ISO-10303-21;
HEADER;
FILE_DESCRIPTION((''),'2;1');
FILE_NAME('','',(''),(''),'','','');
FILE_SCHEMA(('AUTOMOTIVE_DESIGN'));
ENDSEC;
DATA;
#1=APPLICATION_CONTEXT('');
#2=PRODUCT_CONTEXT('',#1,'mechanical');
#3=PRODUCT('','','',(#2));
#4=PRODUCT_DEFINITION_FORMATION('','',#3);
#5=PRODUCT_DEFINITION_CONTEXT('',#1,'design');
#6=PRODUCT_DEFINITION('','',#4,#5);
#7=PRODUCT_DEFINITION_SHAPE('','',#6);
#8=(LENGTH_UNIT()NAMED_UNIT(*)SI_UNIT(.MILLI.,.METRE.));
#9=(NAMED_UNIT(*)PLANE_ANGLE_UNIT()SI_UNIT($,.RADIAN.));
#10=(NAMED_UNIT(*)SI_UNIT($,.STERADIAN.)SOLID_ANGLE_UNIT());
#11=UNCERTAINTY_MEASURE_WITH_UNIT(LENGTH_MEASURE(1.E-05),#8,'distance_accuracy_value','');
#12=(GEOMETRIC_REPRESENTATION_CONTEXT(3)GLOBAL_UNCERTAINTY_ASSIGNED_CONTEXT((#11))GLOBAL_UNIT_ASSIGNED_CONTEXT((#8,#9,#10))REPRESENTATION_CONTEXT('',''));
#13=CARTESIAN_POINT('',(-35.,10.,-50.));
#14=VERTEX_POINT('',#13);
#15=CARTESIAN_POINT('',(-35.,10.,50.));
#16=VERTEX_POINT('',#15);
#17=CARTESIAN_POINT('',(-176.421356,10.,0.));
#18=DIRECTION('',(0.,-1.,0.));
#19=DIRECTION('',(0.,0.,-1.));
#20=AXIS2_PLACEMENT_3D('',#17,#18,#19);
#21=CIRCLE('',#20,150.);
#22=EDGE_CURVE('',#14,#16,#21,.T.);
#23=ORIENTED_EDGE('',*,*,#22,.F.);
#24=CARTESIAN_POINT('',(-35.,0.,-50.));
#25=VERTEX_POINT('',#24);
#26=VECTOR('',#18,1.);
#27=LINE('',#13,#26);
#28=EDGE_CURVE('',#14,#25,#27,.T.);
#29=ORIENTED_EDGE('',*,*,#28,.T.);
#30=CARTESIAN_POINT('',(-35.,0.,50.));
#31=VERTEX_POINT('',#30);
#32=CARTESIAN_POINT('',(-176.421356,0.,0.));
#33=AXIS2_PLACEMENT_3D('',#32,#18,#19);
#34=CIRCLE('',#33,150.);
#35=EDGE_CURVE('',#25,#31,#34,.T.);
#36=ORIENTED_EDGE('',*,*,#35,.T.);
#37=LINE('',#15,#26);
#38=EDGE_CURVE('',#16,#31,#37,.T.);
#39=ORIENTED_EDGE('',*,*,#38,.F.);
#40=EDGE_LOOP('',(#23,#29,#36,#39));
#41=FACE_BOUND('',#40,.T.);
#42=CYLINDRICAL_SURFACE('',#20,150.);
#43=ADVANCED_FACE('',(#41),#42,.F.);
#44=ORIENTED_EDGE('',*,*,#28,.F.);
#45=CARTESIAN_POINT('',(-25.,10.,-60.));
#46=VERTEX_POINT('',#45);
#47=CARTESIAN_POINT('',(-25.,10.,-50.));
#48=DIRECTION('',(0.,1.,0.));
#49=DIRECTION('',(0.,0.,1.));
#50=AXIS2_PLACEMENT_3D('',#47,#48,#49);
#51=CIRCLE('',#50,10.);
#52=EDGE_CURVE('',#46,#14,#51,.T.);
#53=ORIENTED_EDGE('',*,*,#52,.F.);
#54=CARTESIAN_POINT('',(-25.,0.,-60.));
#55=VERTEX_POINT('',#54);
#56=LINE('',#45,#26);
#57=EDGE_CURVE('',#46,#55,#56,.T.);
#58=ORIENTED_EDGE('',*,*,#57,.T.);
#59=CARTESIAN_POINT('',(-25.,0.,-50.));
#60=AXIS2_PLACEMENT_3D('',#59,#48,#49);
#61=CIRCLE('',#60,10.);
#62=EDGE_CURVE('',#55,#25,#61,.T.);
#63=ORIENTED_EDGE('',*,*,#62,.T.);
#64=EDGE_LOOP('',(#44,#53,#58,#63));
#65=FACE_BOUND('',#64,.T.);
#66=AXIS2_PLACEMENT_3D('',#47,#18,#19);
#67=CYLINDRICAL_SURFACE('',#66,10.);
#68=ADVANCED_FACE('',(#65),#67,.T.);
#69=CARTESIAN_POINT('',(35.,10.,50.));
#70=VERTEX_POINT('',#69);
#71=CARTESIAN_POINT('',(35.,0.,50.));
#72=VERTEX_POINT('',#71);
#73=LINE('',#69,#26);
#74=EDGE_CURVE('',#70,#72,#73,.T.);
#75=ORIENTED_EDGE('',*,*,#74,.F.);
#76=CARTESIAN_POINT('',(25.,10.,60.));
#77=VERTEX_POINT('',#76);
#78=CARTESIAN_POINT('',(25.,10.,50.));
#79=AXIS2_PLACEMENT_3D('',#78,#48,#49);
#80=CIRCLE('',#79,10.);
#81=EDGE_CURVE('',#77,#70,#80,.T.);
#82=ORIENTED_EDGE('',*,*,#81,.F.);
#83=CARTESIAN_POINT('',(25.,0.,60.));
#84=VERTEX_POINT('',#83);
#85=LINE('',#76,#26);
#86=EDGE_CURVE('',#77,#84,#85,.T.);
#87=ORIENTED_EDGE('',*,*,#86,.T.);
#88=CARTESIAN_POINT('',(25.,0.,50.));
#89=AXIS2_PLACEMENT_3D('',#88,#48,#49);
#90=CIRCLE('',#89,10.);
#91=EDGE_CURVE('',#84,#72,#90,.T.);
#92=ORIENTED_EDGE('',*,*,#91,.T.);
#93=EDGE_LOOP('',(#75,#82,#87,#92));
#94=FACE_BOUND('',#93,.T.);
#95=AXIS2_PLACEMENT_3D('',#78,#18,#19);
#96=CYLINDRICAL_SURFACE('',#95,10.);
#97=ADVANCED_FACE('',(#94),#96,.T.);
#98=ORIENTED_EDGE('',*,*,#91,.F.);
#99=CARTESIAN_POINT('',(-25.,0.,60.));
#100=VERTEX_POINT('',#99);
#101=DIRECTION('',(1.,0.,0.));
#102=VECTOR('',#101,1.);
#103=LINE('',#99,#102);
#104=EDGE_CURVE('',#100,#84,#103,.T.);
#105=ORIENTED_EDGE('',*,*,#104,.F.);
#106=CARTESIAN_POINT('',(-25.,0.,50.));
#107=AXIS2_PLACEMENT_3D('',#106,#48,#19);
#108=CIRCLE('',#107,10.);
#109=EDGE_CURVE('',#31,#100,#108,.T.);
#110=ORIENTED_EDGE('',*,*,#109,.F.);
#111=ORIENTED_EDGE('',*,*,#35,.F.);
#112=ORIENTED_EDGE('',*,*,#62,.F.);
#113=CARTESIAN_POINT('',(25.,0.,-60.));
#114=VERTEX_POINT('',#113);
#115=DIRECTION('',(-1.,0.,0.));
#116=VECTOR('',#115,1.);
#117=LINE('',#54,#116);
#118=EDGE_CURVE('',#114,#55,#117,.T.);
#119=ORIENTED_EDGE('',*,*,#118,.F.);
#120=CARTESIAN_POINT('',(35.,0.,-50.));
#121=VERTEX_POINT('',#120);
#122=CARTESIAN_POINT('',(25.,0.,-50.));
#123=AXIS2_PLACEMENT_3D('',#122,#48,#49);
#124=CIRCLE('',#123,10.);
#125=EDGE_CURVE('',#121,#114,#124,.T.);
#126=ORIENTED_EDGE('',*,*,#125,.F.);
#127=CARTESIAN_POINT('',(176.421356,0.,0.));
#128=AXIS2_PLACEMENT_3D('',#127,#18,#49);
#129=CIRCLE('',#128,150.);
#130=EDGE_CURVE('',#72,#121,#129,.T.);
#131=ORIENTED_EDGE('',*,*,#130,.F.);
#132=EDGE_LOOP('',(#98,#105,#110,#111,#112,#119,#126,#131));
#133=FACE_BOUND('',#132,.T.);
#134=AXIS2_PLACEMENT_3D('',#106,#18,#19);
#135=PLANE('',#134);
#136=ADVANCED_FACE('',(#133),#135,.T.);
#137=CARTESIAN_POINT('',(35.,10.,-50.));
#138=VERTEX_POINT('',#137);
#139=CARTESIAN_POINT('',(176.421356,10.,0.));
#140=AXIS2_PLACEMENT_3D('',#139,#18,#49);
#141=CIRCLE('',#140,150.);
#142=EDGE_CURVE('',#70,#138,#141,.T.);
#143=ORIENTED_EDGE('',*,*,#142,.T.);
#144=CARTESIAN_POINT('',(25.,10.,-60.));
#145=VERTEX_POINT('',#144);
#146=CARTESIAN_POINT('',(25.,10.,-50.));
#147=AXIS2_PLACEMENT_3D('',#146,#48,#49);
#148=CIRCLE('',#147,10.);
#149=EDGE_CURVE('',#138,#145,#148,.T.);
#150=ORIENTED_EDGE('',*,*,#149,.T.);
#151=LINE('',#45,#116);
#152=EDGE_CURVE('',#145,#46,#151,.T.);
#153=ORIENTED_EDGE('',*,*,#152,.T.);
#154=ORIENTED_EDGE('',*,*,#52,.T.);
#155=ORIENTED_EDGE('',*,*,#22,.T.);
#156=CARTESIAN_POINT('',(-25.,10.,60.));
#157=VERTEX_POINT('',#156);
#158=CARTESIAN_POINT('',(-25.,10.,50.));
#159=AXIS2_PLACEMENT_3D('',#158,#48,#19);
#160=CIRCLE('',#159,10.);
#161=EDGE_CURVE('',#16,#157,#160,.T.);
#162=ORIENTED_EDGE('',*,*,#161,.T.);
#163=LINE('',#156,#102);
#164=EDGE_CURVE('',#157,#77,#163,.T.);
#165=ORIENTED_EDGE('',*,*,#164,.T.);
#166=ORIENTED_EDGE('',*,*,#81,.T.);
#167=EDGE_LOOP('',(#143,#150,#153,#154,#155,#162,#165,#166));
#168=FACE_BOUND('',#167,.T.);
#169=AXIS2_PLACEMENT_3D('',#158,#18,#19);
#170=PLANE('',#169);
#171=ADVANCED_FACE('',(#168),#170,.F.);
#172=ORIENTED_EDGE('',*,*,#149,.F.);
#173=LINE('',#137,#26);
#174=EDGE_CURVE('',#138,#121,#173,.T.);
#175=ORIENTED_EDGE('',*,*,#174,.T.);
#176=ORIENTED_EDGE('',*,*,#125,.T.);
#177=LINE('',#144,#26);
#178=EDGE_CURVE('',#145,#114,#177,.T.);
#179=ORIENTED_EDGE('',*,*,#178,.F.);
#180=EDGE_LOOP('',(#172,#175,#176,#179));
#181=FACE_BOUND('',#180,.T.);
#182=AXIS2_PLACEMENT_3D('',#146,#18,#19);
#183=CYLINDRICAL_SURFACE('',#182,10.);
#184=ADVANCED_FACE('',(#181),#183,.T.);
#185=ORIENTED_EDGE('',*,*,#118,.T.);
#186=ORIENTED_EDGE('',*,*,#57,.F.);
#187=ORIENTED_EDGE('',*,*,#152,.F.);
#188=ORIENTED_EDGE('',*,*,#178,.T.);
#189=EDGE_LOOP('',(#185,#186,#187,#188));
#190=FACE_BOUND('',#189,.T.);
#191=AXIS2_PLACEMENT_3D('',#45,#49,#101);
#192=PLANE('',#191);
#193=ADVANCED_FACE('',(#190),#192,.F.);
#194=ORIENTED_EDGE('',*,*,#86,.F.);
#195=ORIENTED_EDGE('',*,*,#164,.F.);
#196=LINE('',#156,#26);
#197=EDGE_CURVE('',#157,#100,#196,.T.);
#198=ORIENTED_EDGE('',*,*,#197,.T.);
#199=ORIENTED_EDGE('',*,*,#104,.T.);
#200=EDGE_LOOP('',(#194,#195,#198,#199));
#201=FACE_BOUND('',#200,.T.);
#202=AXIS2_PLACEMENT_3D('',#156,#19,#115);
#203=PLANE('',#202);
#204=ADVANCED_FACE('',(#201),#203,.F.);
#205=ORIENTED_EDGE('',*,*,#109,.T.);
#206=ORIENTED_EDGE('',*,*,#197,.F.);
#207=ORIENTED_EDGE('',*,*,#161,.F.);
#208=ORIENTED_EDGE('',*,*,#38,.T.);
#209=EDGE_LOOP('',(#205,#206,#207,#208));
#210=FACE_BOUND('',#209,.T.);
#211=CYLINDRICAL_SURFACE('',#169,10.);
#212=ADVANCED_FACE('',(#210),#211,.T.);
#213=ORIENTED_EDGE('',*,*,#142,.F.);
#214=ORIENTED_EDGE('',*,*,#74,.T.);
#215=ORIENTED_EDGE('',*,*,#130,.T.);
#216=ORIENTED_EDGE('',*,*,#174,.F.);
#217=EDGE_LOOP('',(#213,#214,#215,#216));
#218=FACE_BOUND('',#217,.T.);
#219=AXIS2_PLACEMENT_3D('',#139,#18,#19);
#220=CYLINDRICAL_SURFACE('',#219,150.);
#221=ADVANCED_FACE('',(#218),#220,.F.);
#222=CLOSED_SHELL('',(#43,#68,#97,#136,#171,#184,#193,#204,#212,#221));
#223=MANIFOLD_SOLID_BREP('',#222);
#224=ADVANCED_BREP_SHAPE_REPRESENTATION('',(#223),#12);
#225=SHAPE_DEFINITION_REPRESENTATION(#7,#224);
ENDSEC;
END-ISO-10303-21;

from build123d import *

# Parameters (mm, degrees)
BOSS_EXTRUDE1_DEPTH = 10


with BuildPart() as part:
    # Sketch2 → Boss-Extrude1 (new body)
    with BuildSketch(Plane(origin=(0, 0, 0), x_dir=(1, 0, 0), z_dir=(0, 1, 0))):
        with BuildLine():
            Line((-25, 60), (25, 60))
            ThreePointArc((25, 60), (32.071067812, 57.071067812), (35, 50))
            ThreePointArc((35, 50), (26.421356237, 0), (35, -50))
            ThreePointArc((35, -50), (32.071067812, -57.071067812), (25, -60))
            Line((25, -60), (-25, -60))
            ThreePointArc((-25, -60), (-32.071067812, -57.071067812), (-35, -50))
            ThreePointArc((-35, -50), (-26.421356237, 0), (-35, 50))
            ThreePointArc((-35, 50), (-32.071067812, 57.071067812), (-25, 60))
        make_face()
    extrude(amount=BOSS_EXTRUDE1_DEPTH)


solid = part.part
